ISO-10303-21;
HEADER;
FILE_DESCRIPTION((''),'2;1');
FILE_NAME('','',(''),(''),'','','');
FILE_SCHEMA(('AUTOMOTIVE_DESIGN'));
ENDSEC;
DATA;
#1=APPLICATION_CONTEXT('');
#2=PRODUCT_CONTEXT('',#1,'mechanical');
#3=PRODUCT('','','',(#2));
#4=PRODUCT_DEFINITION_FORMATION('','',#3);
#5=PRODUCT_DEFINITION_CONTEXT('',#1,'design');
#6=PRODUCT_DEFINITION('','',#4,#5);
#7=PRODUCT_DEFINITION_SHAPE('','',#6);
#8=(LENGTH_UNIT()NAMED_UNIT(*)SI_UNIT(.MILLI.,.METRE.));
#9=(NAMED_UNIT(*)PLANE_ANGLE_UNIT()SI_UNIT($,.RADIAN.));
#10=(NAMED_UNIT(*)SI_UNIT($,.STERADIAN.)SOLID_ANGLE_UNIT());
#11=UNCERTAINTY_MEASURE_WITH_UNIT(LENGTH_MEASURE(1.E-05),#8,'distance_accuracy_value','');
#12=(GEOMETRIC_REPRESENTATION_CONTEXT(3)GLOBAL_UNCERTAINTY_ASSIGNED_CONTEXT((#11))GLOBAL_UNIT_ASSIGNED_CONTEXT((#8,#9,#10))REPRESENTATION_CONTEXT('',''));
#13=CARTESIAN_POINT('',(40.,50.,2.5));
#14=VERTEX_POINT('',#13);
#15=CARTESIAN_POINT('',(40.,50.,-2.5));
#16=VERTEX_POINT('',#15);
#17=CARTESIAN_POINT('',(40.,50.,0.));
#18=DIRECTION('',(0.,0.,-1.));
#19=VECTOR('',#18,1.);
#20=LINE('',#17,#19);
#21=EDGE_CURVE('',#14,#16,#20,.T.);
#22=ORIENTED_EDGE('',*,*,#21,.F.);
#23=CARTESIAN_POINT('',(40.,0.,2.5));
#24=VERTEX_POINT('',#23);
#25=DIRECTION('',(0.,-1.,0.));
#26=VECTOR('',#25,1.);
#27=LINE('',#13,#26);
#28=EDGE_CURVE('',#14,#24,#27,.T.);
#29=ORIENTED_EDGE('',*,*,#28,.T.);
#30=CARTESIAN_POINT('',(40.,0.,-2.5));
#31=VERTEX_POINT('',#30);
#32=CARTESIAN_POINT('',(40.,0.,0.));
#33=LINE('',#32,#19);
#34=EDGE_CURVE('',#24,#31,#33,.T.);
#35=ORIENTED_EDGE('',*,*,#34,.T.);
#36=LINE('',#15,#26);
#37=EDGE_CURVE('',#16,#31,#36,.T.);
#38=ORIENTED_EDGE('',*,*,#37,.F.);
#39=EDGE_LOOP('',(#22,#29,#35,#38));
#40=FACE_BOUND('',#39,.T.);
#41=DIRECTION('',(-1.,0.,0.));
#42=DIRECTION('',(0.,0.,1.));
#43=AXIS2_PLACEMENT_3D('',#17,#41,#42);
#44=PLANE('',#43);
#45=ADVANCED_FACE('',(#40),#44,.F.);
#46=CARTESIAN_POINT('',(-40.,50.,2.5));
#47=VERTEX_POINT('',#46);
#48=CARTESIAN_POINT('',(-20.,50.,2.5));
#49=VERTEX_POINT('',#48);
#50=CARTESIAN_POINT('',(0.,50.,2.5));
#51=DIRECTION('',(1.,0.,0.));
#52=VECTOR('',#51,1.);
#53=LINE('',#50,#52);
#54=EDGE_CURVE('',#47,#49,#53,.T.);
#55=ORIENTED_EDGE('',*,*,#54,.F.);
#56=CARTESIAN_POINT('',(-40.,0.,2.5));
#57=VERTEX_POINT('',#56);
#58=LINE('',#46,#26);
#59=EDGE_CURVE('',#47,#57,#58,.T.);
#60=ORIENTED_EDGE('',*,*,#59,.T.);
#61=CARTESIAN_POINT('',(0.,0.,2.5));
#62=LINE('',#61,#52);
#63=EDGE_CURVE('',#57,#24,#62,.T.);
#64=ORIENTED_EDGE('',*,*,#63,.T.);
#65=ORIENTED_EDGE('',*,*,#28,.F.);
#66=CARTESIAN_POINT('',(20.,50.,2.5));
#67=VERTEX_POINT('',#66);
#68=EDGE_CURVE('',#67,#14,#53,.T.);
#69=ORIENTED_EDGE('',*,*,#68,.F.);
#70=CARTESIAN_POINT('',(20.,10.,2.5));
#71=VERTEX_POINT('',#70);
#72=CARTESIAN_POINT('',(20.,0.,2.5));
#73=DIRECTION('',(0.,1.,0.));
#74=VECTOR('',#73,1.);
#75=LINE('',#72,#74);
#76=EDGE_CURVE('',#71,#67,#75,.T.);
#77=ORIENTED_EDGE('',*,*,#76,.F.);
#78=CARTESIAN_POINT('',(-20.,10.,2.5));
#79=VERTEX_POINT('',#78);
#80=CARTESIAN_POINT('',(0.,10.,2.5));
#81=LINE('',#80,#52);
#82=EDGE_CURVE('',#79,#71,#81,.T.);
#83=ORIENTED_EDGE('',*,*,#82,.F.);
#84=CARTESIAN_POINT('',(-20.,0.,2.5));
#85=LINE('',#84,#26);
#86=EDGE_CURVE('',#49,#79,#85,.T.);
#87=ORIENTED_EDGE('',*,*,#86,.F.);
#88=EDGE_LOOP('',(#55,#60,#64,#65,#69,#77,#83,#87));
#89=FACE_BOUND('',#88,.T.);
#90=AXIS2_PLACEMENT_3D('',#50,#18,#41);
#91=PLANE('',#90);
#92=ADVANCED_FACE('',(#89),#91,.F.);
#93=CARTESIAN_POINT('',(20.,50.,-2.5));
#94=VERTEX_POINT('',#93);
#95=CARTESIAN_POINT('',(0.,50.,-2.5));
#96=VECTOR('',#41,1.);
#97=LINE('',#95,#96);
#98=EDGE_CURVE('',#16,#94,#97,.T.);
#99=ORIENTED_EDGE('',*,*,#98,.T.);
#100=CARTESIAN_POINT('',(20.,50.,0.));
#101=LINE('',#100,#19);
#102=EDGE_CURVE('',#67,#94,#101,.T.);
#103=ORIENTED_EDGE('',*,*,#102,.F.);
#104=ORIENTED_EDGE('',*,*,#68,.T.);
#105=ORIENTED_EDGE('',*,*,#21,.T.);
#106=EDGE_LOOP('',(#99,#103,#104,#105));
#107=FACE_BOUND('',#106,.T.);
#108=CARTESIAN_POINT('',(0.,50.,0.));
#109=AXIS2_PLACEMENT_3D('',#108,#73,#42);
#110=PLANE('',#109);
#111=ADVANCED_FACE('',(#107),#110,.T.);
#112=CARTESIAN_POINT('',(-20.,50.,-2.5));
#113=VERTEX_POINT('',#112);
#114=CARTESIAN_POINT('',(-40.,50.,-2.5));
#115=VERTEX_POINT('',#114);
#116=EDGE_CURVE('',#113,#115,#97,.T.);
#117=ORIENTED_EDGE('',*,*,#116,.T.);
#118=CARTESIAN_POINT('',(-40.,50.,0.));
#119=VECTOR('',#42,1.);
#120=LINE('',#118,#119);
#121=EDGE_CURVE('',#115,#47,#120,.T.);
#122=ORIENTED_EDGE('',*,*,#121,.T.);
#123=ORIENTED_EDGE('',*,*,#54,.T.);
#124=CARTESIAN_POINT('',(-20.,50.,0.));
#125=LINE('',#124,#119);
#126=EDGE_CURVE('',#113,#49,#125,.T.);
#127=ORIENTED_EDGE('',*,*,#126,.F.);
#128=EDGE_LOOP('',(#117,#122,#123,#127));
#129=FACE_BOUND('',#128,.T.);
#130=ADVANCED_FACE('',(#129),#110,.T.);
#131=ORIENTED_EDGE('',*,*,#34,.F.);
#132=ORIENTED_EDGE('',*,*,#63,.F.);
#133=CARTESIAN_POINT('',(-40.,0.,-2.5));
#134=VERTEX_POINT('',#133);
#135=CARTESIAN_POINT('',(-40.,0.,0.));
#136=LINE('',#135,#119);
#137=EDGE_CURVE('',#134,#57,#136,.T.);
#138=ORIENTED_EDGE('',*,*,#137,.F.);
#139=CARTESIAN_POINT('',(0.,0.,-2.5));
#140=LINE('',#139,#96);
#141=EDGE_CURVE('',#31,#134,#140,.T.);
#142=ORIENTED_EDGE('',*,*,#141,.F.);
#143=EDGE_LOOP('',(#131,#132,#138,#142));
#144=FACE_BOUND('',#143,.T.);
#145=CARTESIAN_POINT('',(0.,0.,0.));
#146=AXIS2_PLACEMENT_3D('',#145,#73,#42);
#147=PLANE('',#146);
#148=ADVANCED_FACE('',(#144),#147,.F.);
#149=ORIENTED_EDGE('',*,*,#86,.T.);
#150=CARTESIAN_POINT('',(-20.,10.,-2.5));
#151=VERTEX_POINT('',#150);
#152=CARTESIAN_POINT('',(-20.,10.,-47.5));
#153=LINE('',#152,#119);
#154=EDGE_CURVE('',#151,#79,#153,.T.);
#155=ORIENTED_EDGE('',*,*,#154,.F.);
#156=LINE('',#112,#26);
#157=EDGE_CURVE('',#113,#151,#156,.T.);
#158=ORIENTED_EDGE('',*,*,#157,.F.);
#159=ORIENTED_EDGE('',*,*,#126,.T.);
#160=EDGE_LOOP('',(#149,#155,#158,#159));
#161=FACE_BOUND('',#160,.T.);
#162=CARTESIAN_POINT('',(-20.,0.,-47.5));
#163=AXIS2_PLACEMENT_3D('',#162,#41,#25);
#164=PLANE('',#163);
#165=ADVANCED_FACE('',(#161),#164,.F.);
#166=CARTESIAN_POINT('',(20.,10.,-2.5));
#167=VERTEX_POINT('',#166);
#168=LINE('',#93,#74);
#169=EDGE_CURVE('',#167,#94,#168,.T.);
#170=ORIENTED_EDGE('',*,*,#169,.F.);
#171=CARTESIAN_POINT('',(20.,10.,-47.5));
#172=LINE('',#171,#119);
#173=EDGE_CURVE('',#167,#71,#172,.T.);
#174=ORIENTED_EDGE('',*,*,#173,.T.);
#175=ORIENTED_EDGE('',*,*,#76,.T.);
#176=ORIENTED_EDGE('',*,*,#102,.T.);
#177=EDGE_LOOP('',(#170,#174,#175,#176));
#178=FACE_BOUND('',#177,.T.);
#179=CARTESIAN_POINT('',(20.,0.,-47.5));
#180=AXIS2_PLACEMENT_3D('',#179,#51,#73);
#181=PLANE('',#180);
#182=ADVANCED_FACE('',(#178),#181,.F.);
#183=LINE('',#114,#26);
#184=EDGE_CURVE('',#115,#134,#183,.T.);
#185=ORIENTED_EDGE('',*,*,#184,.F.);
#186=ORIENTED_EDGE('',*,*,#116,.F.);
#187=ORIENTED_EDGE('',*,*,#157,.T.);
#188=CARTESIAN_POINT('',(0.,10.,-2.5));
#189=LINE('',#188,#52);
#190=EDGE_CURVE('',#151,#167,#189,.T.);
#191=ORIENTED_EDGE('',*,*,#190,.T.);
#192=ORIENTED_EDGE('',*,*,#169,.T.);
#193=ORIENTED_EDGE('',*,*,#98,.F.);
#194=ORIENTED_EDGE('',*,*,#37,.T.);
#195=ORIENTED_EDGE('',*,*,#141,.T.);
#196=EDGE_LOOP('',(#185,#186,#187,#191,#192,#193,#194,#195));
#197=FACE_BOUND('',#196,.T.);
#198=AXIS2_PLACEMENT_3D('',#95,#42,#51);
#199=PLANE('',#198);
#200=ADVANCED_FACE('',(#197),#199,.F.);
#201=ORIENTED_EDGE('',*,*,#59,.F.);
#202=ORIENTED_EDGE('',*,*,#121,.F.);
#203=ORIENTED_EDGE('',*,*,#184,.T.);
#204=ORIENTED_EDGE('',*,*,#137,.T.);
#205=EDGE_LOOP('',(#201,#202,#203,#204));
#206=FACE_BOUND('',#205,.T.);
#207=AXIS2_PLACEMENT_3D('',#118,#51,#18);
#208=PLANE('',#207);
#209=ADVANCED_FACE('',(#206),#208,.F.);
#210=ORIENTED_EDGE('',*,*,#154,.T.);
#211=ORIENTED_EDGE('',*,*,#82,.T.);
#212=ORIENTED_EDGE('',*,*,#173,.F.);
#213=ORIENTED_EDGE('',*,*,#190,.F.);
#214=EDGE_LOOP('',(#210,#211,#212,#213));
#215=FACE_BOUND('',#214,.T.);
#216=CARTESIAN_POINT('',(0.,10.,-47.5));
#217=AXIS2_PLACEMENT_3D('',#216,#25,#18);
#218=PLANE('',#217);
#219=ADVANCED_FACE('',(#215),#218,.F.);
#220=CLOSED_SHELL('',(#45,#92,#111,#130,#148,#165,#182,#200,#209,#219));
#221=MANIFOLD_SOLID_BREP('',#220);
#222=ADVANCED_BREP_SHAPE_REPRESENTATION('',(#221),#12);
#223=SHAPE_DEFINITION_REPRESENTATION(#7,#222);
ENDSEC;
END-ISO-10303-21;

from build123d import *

# Parameters (mm, degrees)
BOSS_EXTRUDE1_DEPTH = 50
SKETCH2_W           = 40
SKETCH2_H           = 40
CUT_EXTRUDE1_DEPTH  = 50


with BuildPart() as part:
    # Sketch1 → Boss-Extrude1 (new body)
    with BuildSketch(Plane(origin=(0, 0, 0), x_dir=(1, 0, 0), z_dir=(0, 1, 0))):
        Polygon((40, -2.5), (40, 0), (40, 2.5), (-40, 2.5), (-40, -2.5), align=None)
    extrude(amount=BOSS_EXTRUDE1_DEPTH)

    # Sketch2 → Cut-Extrude1 (cut)
    with BuildSketch(Plane.XY.offset(2.5)):
        with Locations((0, 30)):
            Rectangle(SKETCH2_W, SKETCH2_H)
    extrude(amount=-CUT_EXTRUDE1_DEPTH, mode=Mode.SUBTRACT)


solid = part.part
